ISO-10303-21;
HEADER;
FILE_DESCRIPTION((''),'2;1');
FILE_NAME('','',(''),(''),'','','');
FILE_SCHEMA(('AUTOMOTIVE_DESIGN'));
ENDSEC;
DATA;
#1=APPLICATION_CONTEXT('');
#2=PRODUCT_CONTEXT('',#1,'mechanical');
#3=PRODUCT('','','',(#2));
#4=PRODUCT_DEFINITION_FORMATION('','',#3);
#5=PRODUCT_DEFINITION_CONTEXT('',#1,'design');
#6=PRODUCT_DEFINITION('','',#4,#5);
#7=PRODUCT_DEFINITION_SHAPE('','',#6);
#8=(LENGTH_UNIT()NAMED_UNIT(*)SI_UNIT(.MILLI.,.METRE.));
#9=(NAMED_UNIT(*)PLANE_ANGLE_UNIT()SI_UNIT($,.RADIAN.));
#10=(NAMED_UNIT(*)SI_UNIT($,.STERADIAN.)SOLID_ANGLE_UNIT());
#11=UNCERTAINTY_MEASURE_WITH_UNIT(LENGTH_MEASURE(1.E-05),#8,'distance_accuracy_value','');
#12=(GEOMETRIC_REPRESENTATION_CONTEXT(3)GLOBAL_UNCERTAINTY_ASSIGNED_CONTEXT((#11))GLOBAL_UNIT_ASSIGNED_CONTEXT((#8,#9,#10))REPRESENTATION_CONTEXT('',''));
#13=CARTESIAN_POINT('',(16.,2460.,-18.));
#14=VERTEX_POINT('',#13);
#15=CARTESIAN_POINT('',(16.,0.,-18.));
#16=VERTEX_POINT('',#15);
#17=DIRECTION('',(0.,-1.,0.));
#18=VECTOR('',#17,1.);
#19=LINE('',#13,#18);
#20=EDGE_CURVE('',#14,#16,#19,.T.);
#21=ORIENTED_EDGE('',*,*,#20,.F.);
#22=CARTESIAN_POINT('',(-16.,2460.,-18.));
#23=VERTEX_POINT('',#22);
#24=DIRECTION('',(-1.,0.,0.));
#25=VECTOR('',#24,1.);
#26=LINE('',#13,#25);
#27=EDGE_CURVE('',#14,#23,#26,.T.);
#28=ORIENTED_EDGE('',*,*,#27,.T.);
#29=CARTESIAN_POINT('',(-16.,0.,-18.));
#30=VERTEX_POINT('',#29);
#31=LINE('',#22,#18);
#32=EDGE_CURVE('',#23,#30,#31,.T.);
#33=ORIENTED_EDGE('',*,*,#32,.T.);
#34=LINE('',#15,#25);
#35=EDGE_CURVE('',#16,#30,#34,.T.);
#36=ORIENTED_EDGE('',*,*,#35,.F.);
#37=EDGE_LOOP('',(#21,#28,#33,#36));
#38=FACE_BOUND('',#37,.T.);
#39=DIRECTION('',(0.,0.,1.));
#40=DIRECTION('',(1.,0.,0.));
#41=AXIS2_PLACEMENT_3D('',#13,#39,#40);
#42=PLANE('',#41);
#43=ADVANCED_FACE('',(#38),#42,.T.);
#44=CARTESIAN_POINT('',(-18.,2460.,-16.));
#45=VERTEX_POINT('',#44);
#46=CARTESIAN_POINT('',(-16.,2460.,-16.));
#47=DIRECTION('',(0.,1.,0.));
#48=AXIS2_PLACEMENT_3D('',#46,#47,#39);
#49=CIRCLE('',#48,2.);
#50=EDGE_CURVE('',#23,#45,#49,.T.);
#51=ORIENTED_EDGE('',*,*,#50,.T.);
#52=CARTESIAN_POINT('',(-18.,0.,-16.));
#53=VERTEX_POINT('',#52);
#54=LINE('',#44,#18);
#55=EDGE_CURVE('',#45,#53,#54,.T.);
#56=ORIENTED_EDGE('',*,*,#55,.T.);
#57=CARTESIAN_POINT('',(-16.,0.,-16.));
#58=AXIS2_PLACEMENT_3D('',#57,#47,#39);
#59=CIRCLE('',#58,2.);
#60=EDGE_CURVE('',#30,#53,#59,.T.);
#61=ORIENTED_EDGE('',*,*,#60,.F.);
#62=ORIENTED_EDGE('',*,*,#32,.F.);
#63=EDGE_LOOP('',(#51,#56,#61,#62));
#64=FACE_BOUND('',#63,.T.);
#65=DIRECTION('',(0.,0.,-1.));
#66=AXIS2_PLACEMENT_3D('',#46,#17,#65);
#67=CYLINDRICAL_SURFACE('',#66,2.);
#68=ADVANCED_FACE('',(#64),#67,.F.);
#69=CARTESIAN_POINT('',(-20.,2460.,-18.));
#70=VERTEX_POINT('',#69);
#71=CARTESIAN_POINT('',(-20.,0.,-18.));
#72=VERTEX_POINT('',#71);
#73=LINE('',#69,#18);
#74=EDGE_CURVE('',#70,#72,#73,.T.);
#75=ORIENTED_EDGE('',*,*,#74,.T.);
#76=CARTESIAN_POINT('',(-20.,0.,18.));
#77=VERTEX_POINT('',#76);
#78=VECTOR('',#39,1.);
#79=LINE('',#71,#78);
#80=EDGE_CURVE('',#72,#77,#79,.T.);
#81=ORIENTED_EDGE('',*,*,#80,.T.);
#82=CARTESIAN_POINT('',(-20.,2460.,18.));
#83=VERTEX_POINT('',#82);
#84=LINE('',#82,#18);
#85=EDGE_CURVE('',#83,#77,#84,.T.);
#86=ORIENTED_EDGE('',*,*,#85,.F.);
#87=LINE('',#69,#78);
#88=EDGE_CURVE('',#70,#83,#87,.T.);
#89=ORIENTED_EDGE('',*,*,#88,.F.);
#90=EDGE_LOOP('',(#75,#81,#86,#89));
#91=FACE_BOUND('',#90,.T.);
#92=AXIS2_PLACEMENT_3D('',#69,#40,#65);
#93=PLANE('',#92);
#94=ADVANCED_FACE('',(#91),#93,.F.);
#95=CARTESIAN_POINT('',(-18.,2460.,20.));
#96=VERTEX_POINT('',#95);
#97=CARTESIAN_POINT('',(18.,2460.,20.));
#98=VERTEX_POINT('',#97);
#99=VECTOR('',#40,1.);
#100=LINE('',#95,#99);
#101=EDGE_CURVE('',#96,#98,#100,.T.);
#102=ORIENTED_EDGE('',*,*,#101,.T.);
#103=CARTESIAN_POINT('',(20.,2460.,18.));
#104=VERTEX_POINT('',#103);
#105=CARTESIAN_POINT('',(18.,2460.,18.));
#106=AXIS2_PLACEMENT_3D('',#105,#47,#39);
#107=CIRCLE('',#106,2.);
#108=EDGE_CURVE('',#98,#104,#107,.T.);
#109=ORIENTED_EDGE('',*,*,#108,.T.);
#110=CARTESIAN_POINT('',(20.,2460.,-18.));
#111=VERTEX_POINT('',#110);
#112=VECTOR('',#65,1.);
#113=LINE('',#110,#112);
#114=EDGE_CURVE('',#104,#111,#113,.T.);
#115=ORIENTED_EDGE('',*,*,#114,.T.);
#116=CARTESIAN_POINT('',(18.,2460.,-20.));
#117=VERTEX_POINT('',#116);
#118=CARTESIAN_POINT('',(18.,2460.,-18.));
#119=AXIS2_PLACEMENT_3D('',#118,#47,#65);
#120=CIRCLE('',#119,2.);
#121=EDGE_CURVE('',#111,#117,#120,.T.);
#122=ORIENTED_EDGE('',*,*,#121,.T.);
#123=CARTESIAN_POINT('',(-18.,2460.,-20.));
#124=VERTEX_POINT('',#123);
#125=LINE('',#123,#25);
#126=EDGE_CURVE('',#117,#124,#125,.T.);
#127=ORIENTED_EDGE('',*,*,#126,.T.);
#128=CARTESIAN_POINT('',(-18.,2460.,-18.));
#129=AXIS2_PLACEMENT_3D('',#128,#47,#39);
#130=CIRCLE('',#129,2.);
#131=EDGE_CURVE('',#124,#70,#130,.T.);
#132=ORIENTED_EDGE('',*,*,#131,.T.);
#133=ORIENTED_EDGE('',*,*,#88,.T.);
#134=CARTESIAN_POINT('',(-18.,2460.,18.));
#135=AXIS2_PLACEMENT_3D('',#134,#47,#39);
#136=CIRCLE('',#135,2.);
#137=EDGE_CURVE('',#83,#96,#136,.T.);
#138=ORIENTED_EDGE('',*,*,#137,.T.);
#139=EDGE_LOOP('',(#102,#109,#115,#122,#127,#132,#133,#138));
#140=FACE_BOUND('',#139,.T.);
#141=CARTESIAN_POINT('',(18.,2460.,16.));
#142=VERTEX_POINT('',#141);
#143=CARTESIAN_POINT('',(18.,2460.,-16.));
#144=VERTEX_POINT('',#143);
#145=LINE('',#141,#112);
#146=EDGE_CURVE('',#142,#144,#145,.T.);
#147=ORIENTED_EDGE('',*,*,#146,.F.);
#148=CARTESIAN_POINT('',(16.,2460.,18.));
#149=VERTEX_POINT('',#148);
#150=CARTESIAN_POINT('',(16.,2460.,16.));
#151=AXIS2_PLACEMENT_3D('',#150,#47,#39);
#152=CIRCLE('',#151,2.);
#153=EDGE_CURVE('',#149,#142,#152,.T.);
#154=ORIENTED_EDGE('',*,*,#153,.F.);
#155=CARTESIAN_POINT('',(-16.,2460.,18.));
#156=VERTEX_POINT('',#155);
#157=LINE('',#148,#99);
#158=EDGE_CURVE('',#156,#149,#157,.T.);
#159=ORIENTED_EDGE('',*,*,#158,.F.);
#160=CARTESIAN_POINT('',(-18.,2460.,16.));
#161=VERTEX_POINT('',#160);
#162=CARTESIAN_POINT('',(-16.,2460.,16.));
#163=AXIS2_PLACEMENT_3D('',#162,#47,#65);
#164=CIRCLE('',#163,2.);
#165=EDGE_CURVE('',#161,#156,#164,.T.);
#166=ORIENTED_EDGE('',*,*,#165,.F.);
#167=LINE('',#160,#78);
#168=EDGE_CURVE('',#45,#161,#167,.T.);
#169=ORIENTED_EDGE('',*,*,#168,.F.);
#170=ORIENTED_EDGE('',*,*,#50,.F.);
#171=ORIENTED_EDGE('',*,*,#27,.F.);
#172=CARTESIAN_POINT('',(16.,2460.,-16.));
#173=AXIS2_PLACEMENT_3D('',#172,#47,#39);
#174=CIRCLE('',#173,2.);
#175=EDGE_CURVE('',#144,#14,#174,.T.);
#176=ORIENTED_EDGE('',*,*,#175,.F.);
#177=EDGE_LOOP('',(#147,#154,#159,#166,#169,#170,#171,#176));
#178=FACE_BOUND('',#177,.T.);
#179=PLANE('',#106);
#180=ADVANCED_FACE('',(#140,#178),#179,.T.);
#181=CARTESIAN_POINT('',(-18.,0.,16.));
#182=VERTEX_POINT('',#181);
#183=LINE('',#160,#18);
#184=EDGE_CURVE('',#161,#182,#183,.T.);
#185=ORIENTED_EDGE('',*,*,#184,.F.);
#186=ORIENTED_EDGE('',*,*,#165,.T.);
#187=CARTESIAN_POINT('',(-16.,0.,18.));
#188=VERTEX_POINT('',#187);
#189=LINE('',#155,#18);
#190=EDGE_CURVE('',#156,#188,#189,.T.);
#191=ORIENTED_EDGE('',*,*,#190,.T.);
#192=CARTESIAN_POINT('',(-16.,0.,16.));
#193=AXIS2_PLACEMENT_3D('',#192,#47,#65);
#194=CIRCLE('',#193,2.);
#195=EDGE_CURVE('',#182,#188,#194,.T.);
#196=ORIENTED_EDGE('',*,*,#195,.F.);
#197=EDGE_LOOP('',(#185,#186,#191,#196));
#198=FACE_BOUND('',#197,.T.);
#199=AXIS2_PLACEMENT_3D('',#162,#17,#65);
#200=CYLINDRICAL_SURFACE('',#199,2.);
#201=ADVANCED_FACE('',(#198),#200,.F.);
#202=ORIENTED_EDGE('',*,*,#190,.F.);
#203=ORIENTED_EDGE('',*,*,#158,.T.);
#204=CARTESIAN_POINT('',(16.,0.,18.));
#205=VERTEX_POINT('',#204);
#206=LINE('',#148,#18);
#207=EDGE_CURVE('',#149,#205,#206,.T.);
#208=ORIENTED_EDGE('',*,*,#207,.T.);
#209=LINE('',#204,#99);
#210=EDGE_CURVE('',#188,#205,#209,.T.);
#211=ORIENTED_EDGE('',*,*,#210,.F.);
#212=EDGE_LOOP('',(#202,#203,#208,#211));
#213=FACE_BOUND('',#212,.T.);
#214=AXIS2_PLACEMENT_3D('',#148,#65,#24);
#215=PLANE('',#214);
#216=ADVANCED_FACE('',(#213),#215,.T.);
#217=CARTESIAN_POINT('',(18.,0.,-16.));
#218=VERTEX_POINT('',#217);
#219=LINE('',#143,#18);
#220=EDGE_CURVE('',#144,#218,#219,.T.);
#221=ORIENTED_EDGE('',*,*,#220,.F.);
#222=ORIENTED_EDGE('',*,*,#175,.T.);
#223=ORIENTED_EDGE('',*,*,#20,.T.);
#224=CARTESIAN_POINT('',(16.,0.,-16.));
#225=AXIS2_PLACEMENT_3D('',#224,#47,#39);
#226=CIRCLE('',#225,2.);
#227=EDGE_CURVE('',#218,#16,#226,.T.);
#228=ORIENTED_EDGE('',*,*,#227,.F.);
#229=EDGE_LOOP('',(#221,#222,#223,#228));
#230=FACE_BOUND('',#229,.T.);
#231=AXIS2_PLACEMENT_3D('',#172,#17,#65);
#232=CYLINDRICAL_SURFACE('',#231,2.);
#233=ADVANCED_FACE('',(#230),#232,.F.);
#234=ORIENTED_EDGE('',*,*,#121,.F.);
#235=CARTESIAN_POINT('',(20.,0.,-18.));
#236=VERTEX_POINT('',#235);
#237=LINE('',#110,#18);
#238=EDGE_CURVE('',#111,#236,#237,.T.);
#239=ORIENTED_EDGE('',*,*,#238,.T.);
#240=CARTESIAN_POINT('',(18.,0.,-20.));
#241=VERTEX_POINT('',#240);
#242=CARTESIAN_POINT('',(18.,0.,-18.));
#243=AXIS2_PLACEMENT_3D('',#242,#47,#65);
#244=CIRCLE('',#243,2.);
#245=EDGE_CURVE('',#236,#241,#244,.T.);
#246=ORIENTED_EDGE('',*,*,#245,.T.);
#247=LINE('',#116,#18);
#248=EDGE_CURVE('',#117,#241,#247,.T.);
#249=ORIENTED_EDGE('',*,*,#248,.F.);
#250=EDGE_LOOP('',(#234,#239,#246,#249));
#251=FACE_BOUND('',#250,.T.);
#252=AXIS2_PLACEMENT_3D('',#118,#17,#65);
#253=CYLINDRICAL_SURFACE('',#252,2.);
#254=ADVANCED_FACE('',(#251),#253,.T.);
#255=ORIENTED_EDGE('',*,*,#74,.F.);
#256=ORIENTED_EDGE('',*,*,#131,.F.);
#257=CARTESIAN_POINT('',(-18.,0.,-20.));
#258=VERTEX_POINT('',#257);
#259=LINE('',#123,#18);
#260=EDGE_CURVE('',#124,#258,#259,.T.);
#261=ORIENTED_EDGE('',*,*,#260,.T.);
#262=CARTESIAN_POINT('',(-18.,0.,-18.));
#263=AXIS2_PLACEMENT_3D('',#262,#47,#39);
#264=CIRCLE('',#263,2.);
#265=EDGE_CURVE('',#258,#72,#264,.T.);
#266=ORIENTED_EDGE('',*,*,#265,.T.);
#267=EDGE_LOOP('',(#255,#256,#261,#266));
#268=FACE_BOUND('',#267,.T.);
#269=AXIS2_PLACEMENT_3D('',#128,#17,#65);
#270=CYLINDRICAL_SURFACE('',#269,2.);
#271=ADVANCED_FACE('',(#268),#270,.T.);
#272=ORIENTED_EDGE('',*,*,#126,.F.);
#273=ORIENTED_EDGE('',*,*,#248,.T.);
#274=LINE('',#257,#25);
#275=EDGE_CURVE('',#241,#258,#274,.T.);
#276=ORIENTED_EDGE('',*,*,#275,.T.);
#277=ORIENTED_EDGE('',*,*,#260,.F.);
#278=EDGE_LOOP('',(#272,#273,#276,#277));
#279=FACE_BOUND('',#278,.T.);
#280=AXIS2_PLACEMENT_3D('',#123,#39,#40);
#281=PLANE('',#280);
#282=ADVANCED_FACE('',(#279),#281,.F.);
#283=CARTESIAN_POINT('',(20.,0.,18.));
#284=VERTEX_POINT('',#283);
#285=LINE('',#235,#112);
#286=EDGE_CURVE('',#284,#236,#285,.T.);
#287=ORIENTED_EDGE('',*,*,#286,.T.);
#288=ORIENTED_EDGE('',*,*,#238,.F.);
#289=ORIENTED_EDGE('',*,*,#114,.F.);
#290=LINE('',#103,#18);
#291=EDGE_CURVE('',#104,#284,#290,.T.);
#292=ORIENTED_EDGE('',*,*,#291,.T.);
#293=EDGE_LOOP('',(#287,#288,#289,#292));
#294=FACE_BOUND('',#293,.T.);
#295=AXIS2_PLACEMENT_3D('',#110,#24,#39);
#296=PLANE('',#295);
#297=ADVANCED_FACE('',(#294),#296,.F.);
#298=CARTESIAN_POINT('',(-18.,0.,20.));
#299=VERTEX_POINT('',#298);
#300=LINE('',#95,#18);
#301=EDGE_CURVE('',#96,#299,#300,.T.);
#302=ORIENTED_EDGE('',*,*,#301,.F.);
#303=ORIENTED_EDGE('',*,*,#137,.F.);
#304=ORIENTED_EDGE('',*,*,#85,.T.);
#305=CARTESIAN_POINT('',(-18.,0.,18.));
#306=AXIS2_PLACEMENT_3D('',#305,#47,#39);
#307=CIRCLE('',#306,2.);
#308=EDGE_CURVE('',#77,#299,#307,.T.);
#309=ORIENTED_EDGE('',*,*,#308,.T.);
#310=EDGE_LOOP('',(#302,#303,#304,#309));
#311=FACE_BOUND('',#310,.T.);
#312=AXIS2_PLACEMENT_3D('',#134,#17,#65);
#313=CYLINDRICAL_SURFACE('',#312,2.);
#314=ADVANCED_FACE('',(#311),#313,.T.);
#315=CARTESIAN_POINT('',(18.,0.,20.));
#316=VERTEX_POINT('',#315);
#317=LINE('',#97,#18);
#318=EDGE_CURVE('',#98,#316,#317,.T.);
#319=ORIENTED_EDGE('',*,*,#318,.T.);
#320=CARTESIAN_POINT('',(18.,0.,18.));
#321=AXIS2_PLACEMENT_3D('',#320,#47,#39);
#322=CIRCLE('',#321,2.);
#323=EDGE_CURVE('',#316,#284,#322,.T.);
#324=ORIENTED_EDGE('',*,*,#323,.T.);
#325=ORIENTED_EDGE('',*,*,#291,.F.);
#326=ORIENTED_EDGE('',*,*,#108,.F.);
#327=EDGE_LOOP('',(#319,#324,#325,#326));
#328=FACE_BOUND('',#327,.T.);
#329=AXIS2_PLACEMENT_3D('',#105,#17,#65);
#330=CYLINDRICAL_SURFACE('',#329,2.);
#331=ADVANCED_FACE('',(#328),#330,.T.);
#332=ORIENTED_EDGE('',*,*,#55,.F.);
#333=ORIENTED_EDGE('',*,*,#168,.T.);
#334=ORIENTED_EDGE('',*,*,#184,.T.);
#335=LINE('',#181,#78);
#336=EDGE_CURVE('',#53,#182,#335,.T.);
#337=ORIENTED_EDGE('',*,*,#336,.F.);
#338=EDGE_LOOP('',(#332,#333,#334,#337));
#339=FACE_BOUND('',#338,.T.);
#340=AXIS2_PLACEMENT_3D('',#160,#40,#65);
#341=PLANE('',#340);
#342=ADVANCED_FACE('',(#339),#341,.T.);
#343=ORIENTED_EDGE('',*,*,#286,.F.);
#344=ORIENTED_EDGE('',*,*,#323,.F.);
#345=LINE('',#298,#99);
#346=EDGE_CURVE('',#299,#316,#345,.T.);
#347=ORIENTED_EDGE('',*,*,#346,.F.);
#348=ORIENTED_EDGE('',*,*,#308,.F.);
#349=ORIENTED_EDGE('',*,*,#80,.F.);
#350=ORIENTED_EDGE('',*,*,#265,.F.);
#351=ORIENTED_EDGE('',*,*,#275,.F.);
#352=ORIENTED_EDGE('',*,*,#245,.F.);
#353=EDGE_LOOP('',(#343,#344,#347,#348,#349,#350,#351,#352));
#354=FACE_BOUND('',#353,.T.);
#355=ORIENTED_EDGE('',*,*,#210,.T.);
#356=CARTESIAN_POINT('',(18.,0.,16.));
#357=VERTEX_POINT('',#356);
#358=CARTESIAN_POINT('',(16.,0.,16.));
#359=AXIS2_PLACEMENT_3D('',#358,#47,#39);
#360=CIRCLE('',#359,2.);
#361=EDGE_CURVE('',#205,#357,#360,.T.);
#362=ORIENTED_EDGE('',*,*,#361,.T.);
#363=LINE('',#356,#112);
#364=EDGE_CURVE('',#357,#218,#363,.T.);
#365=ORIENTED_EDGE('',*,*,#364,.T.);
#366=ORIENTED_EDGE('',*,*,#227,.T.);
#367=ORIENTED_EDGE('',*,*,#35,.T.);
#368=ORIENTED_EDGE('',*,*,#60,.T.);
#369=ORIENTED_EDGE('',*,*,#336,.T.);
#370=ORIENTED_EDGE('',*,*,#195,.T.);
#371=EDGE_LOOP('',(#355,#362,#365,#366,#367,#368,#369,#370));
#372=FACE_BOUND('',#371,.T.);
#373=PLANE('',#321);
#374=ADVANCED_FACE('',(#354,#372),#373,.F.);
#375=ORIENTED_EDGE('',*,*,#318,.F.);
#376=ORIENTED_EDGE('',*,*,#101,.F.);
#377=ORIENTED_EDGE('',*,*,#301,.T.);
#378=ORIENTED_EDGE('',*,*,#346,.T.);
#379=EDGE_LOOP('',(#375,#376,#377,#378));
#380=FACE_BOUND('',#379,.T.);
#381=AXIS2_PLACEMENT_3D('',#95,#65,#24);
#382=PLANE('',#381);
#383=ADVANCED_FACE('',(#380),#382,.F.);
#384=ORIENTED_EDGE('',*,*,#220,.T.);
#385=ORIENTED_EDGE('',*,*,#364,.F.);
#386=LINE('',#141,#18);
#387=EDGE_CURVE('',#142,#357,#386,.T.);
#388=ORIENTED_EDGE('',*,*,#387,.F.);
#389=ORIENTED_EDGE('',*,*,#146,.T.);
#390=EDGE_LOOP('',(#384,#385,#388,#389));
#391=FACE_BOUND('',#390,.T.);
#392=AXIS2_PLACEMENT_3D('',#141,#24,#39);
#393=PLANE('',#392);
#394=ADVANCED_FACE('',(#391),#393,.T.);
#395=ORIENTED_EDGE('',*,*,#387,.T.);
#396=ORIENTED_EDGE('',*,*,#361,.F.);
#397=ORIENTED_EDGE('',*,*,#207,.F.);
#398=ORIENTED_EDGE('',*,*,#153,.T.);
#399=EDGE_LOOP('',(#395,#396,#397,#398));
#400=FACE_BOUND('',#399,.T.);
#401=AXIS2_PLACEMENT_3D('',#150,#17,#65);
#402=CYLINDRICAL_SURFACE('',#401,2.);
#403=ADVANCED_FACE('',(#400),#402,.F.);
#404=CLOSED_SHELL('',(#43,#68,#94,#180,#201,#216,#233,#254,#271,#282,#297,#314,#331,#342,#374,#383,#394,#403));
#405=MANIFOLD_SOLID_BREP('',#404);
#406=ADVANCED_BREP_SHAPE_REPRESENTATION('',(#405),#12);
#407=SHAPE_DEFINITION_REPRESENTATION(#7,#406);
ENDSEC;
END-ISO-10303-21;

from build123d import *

# Parameters (mm, degrees)
EXTRUDE_1_DEPTH = 2460


with BuildPart() as part:
    # Эскиз2 → Бобышка-Вытянуть1 (new body)
    with BuildSketch(Plane(origin=(0, 0, 0), x_dir=(1, 0, 0), z_dir=(0, 1, 0))):
        with BuildLine():
            Line((-18, 20), (18, 20))
            ThreePointArc((18, 20), (19.414213562, 19.414213562), (20, 18))
            Line((20, 18), (20, -18))
            ThreePointArc((20, -18), (19.414213562, -19.414213562), (18, -20))
            Line((18, -20), (-18, -20))
            ThreePointArc((-18, -20), (-19.414213562, -19.414213562), (-20, -18))
            Line((-20, -18), (-20, 18))
            ThreePointArc((-20, 18), (-19.414213562, 19.414213562), (-18, 20))
        make_face()
        with BuildLine():
            Line((16, -18), (-16, -18))
            ThreePointArc((-16, -18), (-17.414213562, -17.414213562), (-18, -16))
            Line((-18, -16), (-18, 16))
            ThreePointArc((-18, 16), (-17.414213562, 17.414213562), (-16, 18))
            Line((-16, 18), (16, 18))
            ThreePointArc((16, 18), (17.414213562, 17.414213562), (18, 16))
            Line((18, 16), (18, -16))
            ThreePointArc((18, -16), (17.414213562, -17.414213562), (16, -18))
        make_face(mode=Mode.SUBTRACT)
    extrude(amount=EXTRUDE_1_DEPTH)


solid = part.part
